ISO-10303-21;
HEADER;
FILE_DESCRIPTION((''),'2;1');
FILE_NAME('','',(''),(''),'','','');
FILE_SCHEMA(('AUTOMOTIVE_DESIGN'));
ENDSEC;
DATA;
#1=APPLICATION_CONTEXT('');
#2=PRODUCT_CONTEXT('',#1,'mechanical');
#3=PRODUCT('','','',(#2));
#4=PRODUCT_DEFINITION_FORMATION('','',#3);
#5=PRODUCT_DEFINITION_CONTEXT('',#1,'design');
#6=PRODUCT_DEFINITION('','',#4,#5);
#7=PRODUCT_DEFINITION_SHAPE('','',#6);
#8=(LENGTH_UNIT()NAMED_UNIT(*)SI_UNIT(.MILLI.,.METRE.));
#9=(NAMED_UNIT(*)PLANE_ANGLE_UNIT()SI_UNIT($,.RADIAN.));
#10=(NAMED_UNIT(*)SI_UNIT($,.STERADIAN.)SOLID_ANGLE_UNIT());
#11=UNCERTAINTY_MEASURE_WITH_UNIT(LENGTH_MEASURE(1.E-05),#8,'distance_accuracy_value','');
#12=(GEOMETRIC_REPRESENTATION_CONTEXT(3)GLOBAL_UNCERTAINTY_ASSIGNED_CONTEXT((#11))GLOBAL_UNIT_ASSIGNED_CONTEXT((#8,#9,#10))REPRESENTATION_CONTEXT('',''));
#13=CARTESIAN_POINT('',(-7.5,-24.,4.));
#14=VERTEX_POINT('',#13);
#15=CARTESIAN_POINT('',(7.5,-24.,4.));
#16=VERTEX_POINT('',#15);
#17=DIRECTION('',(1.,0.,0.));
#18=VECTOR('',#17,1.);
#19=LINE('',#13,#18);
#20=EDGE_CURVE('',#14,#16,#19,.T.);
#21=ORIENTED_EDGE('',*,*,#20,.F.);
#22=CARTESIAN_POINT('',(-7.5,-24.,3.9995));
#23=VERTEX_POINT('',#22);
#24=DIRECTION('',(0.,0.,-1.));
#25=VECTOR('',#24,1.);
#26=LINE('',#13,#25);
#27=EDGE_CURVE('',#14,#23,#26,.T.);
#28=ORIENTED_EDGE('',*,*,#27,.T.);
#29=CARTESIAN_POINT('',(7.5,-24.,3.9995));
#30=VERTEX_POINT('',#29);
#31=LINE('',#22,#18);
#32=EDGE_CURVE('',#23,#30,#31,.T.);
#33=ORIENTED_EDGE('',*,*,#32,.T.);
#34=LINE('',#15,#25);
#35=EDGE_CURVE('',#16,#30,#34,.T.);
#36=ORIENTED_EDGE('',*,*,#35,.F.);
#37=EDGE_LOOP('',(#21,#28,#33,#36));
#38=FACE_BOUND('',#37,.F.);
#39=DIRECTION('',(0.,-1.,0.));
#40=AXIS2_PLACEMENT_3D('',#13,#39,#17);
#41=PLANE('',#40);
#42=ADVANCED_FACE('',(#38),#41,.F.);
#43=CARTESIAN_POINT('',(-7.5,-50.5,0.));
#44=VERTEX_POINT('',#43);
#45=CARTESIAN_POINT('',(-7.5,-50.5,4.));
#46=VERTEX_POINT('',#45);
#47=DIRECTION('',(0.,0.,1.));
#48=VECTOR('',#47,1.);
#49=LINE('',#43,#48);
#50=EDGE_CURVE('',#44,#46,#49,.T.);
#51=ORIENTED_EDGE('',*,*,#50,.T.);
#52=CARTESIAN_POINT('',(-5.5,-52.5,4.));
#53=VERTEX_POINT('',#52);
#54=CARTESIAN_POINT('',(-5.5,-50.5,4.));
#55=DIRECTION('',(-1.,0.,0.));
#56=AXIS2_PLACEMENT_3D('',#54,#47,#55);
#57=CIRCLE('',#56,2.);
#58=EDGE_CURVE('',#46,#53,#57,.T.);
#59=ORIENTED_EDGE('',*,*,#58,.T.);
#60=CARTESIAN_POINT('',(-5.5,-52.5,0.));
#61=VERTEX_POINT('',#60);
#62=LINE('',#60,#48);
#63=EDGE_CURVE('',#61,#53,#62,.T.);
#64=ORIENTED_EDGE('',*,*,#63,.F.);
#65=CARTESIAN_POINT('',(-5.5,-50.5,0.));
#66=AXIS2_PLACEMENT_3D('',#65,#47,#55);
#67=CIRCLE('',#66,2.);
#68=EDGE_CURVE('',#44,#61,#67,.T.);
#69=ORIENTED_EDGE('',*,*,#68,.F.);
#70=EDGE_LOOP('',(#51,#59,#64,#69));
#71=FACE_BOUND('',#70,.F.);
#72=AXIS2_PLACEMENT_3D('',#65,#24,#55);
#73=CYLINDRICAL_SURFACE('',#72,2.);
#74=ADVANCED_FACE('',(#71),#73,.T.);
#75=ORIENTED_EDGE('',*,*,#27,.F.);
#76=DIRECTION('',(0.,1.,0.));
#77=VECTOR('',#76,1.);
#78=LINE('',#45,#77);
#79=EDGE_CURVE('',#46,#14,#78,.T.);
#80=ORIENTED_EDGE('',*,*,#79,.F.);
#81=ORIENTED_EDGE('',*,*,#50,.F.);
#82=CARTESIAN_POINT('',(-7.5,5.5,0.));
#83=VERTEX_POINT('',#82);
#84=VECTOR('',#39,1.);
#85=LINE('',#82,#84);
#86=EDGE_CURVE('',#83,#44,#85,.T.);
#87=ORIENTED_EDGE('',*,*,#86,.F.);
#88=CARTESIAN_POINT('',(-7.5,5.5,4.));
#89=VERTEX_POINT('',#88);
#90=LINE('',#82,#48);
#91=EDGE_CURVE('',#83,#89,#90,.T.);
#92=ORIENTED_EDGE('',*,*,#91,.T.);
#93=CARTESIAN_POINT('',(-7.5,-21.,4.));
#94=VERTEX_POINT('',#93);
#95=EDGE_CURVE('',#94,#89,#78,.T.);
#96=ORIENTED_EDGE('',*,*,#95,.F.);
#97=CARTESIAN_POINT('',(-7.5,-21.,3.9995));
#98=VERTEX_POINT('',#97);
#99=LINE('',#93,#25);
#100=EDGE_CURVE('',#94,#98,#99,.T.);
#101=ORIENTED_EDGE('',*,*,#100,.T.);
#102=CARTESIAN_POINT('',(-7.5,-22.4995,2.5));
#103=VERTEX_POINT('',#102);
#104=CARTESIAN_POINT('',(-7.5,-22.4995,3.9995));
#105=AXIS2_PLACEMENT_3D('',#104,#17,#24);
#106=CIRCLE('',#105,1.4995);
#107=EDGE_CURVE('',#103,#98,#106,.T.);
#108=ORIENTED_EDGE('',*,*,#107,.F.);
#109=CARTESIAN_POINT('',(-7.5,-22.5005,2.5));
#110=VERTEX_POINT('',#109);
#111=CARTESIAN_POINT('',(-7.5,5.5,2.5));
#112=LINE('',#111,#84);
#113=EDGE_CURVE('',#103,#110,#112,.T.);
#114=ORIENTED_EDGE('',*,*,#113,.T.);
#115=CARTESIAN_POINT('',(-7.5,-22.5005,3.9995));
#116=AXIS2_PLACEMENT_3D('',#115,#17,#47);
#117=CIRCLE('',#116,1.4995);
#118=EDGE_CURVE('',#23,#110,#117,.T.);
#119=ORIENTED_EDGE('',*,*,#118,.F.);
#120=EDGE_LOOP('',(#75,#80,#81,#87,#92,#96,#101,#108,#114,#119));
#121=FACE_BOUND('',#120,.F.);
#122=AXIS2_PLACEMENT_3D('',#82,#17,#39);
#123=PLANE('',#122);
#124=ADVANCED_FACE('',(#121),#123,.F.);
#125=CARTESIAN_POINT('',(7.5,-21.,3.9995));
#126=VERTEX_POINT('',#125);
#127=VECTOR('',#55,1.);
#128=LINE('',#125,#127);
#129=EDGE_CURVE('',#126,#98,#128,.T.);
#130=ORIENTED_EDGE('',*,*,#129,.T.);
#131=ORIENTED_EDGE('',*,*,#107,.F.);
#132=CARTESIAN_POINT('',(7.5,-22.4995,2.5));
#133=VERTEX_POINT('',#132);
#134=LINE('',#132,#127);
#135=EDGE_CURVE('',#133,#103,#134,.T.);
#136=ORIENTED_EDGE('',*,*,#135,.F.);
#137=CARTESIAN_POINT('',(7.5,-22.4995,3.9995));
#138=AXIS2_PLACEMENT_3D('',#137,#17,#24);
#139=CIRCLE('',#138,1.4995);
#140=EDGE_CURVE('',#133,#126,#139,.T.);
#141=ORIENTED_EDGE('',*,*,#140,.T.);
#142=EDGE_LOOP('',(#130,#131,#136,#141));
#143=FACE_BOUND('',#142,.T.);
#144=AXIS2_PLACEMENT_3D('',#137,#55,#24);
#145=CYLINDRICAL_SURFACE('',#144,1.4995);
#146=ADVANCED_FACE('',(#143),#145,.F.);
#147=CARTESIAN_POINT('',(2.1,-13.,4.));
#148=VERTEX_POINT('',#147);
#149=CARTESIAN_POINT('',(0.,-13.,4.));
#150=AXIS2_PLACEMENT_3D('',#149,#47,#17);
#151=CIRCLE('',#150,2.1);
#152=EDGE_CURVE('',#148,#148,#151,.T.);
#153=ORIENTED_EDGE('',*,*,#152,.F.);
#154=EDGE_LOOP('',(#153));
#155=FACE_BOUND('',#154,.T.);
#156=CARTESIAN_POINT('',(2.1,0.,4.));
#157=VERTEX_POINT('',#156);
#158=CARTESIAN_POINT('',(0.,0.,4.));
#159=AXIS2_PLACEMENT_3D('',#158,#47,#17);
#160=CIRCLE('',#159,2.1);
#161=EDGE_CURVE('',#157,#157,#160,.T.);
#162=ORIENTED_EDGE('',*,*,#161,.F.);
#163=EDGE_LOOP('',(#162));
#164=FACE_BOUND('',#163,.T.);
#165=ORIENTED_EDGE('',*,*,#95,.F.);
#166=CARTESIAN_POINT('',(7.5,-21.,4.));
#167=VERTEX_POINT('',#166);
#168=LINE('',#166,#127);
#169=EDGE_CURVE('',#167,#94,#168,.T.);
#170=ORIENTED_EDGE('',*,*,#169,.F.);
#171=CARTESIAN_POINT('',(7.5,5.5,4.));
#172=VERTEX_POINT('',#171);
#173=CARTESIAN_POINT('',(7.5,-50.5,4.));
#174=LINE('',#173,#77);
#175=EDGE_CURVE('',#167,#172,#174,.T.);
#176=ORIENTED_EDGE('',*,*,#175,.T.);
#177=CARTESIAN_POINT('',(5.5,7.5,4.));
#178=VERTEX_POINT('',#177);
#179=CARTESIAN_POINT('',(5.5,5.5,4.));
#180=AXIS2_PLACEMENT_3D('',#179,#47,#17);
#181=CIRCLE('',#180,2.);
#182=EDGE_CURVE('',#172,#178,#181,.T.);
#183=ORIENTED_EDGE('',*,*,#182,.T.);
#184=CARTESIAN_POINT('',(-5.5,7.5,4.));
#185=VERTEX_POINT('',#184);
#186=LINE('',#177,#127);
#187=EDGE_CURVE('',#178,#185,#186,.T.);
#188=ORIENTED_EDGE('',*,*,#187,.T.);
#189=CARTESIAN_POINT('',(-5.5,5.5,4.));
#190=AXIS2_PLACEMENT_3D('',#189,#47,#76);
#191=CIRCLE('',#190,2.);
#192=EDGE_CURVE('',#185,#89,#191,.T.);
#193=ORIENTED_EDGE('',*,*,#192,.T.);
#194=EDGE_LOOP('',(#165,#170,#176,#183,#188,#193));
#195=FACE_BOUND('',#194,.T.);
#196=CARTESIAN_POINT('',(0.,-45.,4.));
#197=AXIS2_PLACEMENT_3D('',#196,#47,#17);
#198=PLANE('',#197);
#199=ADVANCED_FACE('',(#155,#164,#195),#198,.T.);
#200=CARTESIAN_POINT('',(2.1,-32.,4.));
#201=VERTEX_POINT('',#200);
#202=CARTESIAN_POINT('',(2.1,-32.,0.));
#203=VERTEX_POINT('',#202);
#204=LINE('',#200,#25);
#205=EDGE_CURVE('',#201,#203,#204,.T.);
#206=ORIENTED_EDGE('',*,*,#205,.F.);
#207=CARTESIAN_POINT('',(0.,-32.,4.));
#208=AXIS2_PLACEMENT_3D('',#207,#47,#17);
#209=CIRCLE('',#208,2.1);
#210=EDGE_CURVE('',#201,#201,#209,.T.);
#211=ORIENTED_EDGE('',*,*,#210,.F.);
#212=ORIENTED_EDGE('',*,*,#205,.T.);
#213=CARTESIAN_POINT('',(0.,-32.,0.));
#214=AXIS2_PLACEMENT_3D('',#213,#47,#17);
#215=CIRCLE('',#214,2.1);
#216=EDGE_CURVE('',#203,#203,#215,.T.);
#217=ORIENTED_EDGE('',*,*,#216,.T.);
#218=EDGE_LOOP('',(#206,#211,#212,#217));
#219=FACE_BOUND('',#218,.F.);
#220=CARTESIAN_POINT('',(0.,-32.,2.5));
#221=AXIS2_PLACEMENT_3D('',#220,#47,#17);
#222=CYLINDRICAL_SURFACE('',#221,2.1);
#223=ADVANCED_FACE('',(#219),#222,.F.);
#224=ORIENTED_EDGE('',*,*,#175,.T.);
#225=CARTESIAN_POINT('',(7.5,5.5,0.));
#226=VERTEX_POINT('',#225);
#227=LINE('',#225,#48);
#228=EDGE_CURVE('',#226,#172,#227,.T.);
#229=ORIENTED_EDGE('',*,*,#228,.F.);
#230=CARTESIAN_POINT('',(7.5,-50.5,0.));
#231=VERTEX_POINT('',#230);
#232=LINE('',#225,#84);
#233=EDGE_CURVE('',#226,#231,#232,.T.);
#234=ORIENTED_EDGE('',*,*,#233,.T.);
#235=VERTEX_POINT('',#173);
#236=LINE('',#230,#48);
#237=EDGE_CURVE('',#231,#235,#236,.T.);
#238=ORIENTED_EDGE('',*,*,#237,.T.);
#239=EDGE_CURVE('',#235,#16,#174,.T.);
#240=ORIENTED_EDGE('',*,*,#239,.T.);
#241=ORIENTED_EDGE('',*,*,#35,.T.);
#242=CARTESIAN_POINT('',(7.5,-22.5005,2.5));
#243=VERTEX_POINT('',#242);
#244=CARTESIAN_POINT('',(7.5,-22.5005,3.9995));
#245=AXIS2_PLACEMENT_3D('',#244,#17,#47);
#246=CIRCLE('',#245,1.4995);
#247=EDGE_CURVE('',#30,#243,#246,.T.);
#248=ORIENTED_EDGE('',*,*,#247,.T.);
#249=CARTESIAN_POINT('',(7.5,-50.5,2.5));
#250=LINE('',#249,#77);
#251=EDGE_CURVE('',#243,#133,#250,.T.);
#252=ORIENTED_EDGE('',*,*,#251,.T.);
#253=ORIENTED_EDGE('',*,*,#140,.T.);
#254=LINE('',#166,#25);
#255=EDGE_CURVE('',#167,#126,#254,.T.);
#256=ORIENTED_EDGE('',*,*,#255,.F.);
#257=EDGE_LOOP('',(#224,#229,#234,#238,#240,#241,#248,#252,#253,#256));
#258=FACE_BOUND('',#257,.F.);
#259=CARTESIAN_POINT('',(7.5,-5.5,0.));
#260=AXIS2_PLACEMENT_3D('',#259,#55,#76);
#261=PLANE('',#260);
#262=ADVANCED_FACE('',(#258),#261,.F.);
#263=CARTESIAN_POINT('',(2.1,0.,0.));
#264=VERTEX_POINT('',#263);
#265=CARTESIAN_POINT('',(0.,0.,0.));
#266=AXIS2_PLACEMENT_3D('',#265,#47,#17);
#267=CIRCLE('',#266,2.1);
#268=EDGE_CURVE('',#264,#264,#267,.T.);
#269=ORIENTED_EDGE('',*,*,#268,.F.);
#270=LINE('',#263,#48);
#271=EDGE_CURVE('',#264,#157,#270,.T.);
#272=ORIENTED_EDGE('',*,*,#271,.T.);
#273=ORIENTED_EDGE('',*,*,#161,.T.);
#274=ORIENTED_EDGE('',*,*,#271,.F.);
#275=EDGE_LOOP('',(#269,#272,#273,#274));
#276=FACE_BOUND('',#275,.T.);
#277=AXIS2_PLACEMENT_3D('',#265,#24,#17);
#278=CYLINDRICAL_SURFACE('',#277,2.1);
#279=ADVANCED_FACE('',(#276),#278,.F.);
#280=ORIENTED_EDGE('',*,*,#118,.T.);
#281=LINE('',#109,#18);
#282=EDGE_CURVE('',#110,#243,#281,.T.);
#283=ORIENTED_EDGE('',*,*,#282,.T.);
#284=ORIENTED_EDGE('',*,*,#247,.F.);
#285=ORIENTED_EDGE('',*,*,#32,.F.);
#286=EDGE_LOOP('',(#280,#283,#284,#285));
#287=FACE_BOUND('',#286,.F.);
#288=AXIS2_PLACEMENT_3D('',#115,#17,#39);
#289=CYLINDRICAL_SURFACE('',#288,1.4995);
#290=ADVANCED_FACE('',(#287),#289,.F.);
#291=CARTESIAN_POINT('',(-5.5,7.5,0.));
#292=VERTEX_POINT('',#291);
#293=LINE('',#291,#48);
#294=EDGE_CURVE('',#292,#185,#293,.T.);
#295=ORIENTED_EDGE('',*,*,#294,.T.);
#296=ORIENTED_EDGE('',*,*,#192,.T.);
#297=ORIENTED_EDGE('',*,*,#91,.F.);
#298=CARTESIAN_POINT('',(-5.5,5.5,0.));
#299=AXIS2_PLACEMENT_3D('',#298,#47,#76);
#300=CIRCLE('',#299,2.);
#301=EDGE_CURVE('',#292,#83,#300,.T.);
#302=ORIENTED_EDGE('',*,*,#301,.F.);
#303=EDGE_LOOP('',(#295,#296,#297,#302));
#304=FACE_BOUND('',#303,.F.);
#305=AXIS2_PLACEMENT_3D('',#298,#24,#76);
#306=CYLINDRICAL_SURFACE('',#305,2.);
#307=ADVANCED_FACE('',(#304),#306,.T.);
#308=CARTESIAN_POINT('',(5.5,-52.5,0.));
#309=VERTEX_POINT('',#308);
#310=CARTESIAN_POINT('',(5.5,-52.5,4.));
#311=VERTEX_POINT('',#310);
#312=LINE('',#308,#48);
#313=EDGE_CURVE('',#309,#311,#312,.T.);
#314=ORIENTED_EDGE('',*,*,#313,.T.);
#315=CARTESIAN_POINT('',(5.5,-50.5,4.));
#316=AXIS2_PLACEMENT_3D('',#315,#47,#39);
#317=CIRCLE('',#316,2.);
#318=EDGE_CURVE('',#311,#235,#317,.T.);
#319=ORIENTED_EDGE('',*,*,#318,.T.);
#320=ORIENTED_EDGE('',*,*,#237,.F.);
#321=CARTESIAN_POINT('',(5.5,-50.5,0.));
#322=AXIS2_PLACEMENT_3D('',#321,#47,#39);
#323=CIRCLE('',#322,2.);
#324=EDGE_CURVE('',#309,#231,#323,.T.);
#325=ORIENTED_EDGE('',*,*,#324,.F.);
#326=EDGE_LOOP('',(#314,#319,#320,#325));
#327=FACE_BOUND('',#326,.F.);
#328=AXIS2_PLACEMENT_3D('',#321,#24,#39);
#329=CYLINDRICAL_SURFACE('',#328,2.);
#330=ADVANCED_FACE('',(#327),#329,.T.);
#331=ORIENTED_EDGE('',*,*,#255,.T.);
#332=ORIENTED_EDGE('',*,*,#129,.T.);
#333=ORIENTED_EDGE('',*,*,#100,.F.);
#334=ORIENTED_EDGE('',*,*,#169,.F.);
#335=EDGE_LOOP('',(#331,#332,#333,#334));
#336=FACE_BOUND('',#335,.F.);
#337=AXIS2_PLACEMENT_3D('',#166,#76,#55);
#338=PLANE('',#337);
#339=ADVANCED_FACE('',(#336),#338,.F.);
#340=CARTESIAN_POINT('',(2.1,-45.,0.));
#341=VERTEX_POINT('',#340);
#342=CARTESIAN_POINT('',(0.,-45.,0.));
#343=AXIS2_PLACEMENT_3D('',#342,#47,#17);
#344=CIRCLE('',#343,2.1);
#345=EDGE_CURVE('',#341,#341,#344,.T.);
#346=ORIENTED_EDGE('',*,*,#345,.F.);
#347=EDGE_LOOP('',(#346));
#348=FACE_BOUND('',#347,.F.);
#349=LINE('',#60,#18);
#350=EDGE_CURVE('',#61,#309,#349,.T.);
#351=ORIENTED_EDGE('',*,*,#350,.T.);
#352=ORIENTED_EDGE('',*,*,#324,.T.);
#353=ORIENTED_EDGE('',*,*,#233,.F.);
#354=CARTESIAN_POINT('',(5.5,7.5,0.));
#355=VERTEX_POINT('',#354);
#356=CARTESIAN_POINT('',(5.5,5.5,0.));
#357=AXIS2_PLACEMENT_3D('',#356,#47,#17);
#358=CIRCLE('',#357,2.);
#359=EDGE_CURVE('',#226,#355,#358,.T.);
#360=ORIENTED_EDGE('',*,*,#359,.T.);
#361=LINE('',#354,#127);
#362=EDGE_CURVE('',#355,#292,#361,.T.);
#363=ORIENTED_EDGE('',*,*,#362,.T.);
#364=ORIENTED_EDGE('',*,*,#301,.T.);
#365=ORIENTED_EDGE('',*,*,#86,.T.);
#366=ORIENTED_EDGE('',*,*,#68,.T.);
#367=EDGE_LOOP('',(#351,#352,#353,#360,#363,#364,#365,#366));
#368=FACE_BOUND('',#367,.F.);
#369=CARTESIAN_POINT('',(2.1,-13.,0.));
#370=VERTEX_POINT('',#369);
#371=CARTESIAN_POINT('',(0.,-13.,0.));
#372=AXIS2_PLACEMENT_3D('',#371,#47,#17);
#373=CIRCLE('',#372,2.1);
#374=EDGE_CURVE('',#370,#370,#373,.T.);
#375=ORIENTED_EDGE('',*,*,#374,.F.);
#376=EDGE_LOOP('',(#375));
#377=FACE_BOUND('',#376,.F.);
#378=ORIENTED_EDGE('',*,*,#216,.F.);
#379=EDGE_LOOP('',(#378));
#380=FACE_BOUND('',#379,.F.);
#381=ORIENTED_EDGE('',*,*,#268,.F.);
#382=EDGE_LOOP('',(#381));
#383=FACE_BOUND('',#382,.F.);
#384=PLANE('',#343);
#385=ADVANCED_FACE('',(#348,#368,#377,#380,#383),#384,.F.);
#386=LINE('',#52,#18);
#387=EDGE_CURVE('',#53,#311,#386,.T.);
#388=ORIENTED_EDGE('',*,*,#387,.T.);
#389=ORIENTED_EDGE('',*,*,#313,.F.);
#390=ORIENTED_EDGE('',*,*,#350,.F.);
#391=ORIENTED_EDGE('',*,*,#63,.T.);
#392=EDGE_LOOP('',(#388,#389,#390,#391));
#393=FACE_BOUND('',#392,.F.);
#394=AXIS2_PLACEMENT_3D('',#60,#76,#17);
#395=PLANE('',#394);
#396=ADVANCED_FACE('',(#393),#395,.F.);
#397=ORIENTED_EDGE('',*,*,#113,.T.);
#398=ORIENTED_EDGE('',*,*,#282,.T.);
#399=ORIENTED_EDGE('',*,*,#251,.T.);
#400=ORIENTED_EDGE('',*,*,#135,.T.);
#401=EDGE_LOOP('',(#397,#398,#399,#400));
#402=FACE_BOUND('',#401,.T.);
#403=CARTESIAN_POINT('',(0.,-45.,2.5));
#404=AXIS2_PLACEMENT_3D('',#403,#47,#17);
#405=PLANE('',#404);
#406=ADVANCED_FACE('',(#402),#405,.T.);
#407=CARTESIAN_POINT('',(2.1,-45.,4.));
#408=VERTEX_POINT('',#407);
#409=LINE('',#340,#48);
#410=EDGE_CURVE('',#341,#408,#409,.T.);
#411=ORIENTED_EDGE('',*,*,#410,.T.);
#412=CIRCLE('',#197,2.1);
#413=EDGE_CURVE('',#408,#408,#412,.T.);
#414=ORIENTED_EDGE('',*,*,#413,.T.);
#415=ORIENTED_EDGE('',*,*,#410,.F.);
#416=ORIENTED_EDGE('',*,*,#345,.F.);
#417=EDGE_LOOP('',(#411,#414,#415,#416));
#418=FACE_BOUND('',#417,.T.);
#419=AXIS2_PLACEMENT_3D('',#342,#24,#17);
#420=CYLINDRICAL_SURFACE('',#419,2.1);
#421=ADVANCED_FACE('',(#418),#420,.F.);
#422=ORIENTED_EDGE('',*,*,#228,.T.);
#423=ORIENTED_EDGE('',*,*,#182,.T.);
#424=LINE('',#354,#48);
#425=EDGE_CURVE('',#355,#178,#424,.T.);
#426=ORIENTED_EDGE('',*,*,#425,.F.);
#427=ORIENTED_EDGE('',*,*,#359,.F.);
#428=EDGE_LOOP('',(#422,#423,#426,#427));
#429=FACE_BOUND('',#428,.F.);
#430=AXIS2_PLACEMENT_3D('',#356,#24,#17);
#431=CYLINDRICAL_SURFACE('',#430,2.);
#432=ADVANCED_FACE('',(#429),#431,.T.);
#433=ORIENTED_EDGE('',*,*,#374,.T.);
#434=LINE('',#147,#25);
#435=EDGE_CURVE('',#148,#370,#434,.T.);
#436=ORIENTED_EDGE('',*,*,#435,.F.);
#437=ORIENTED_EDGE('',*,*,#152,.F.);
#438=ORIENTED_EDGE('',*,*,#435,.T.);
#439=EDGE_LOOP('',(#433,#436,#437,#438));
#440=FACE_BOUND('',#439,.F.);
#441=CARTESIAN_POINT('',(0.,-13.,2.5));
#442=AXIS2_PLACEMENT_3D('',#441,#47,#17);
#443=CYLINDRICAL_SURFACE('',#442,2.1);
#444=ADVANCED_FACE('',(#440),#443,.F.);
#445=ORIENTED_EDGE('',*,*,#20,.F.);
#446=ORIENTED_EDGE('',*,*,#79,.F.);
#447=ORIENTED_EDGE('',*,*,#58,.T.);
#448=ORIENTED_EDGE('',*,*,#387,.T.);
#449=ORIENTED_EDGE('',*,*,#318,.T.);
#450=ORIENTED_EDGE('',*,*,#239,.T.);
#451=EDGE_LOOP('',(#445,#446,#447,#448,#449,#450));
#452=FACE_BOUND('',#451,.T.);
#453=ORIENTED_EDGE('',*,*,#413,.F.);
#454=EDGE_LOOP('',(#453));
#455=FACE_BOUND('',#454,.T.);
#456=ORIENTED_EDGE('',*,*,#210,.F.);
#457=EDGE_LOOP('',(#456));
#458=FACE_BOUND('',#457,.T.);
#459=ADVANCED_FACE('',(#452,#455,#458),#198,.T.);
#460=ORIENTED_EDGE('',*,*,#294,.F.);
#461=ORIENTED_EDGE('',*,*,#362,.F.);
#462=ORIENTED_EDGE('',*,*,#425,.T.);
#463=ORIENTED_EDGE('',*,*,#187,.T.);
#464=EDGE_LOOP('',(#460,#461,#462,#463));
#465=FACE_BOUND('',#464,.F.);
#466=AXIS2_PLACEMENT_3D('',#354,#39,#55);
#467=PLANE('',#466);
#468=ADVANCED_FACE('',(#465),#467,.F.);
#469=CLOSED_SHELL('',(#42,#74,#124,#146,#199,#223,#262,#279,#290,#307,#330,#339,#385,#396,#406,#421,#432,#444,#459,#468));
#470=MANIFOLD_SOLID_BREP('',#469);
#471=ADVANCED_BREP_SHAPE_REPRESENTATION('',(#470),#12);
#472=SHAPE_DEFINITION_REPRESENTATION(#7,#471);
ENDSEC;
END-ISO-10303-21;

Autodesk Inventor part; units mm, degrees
ref_plane "YZ Plane" through (0, 0, 0) normal (1, 0, 0) x (0, 1, 0)
ref_plane "XZ Plane" through (0, 0, 0) normal (0, 1, 0) x (-1, 0, 0)
ref_plane "XY Plane" through (0, 0, 0) normal (0, 0, 1) x (1, 0, 0)
ref_plane "Plano de trabalho1" through (0, -45, 0) normal (0, 0, 1) x (1, 0, 0)
sketch "Esboço1" plane through (0, -45, 0) normal (0, 0, 1) x (1, 0, 0)
  arc A0 (5.5, 37.5) -> (7.5, 39.5) centre (5.5, 39.5) ccw projected
  line L0 (7.5, 39.5) -> (7.5, 50.5) projected
  arc A1 (7.5, 50.5) -> (5.5, 52.5) centre (5.5, 50.5) ccw projected
  line L1 (5.5, 52.5) -> (-5.5, 52.5) projected
  arc A2 (-5.5, 52.5) -> (-7.5, 50.5) centre (-5.5, 50.5) ccw projected
  line L2 (-7.5, 50.5) -> (-7.5, 39.5) projected
  arc A3 (-7.5, 39.5) -> (-5.5, 37.5) centre (-5.5, 39.5) ccw projected
  line L3 (-5.5, 37.5) -> (5.5, 37.5) projected
  circle A4 centre (0, 45) radius 2.1 projected
  arc A5 (-7.5, -5.5) -> (-5.5, -7.5) centre (-5.5, -5.5) ccw projected
  line L4 (-5.5, -7.5) -> (5.5, -7.5) projected
  arc A6 (5.5, -7.5) -> (7.5, -5.5) centre (5.5, -5.5) ccw projected
  line L5 (7.5, -5.5) -> (7.5, 5.5) projected
  arc A7 (7.5, 5.5) -> (5.5, 7.5) centre (5.5, 5.5) ccw projected
  line L6 (5.5, 7.5) -> (-5.5, 7.5) projected
  arc A8 (-5.5, 7.5) -> (-7.5, 5.5) centre (-5.5, 5.5) ccw projected
  line L7 (-7.5, 5.5) -> (-7.5, -5.5) projected
  circle A9 centre (0, 0) radius 2.1 projected
  line L8 (7.5, 39.5) -> (7.5, 5.5)
  line L9 (-7.5, 39.5) -> (-7.5, 5.5)
extrude "Extrusão1" add sketch "Esboço1" along normal blind 4
sketch "Esboço2" plane through (0, -45, 4) normal (0, 0, 1) x (1, 0, 0)
  line L0 (7.5, -5.5) -> (7.5, 50.5) projected
  line L1 (-7.5, 50.5) -> (-7.5, -5.5) projected
  line L2 (7.5, 24) -> (-7.5, 24)
  line L3 (-7.5, 24) -> (-7.5, 21)
  line L4 (-7.5, 21) -> (7.5, 21)
  line L5 (7.5, 21) -> (7.5, 24)
  line L6 (5.5, 52.5) -> (-5.5, 52.5) projected
  line L7 (-5.5, -7.5) -> (5.5, -7.5) projected
  circle A0 centre (0, 32) radius 2.1
  circle A1 centre (0, 13) radius 2.1
  point P0 (0, 45)
  point P1 (7.5, 21)
  dimension "d4" = 28.5
  dimension "d5" = 28.5
  dimension "d6" = 3
  dimension "d7" = 4.2
  dimension "d8" = 4.2
  dimension "d9" = 8
  dimension "d10" = 8
extrude "Extrusão2" cut sketch "Esboço2" against normal blind 1.5
sketch "Esboço3" plane through (0, -13, 2.5) normal (0, 0, 1) x (1, 0, 0)
  circle A0 centre (0, 0) radius 2.1 projected
  circle A1 centre (0, -19) radius 2.1 projected
  point P0 (0, 13)
extrude "Extrusão3" cut sketch "Esboço3" against normal blind 10
fillet "Arredondamento1" radius 1.5 2 edges at (0, -21, 2.5) (0, -24, 2.5)
equation "\"d5\" = d4"
equation "\"d10\" = d9"
properties part number "suporte_termopar_al"
